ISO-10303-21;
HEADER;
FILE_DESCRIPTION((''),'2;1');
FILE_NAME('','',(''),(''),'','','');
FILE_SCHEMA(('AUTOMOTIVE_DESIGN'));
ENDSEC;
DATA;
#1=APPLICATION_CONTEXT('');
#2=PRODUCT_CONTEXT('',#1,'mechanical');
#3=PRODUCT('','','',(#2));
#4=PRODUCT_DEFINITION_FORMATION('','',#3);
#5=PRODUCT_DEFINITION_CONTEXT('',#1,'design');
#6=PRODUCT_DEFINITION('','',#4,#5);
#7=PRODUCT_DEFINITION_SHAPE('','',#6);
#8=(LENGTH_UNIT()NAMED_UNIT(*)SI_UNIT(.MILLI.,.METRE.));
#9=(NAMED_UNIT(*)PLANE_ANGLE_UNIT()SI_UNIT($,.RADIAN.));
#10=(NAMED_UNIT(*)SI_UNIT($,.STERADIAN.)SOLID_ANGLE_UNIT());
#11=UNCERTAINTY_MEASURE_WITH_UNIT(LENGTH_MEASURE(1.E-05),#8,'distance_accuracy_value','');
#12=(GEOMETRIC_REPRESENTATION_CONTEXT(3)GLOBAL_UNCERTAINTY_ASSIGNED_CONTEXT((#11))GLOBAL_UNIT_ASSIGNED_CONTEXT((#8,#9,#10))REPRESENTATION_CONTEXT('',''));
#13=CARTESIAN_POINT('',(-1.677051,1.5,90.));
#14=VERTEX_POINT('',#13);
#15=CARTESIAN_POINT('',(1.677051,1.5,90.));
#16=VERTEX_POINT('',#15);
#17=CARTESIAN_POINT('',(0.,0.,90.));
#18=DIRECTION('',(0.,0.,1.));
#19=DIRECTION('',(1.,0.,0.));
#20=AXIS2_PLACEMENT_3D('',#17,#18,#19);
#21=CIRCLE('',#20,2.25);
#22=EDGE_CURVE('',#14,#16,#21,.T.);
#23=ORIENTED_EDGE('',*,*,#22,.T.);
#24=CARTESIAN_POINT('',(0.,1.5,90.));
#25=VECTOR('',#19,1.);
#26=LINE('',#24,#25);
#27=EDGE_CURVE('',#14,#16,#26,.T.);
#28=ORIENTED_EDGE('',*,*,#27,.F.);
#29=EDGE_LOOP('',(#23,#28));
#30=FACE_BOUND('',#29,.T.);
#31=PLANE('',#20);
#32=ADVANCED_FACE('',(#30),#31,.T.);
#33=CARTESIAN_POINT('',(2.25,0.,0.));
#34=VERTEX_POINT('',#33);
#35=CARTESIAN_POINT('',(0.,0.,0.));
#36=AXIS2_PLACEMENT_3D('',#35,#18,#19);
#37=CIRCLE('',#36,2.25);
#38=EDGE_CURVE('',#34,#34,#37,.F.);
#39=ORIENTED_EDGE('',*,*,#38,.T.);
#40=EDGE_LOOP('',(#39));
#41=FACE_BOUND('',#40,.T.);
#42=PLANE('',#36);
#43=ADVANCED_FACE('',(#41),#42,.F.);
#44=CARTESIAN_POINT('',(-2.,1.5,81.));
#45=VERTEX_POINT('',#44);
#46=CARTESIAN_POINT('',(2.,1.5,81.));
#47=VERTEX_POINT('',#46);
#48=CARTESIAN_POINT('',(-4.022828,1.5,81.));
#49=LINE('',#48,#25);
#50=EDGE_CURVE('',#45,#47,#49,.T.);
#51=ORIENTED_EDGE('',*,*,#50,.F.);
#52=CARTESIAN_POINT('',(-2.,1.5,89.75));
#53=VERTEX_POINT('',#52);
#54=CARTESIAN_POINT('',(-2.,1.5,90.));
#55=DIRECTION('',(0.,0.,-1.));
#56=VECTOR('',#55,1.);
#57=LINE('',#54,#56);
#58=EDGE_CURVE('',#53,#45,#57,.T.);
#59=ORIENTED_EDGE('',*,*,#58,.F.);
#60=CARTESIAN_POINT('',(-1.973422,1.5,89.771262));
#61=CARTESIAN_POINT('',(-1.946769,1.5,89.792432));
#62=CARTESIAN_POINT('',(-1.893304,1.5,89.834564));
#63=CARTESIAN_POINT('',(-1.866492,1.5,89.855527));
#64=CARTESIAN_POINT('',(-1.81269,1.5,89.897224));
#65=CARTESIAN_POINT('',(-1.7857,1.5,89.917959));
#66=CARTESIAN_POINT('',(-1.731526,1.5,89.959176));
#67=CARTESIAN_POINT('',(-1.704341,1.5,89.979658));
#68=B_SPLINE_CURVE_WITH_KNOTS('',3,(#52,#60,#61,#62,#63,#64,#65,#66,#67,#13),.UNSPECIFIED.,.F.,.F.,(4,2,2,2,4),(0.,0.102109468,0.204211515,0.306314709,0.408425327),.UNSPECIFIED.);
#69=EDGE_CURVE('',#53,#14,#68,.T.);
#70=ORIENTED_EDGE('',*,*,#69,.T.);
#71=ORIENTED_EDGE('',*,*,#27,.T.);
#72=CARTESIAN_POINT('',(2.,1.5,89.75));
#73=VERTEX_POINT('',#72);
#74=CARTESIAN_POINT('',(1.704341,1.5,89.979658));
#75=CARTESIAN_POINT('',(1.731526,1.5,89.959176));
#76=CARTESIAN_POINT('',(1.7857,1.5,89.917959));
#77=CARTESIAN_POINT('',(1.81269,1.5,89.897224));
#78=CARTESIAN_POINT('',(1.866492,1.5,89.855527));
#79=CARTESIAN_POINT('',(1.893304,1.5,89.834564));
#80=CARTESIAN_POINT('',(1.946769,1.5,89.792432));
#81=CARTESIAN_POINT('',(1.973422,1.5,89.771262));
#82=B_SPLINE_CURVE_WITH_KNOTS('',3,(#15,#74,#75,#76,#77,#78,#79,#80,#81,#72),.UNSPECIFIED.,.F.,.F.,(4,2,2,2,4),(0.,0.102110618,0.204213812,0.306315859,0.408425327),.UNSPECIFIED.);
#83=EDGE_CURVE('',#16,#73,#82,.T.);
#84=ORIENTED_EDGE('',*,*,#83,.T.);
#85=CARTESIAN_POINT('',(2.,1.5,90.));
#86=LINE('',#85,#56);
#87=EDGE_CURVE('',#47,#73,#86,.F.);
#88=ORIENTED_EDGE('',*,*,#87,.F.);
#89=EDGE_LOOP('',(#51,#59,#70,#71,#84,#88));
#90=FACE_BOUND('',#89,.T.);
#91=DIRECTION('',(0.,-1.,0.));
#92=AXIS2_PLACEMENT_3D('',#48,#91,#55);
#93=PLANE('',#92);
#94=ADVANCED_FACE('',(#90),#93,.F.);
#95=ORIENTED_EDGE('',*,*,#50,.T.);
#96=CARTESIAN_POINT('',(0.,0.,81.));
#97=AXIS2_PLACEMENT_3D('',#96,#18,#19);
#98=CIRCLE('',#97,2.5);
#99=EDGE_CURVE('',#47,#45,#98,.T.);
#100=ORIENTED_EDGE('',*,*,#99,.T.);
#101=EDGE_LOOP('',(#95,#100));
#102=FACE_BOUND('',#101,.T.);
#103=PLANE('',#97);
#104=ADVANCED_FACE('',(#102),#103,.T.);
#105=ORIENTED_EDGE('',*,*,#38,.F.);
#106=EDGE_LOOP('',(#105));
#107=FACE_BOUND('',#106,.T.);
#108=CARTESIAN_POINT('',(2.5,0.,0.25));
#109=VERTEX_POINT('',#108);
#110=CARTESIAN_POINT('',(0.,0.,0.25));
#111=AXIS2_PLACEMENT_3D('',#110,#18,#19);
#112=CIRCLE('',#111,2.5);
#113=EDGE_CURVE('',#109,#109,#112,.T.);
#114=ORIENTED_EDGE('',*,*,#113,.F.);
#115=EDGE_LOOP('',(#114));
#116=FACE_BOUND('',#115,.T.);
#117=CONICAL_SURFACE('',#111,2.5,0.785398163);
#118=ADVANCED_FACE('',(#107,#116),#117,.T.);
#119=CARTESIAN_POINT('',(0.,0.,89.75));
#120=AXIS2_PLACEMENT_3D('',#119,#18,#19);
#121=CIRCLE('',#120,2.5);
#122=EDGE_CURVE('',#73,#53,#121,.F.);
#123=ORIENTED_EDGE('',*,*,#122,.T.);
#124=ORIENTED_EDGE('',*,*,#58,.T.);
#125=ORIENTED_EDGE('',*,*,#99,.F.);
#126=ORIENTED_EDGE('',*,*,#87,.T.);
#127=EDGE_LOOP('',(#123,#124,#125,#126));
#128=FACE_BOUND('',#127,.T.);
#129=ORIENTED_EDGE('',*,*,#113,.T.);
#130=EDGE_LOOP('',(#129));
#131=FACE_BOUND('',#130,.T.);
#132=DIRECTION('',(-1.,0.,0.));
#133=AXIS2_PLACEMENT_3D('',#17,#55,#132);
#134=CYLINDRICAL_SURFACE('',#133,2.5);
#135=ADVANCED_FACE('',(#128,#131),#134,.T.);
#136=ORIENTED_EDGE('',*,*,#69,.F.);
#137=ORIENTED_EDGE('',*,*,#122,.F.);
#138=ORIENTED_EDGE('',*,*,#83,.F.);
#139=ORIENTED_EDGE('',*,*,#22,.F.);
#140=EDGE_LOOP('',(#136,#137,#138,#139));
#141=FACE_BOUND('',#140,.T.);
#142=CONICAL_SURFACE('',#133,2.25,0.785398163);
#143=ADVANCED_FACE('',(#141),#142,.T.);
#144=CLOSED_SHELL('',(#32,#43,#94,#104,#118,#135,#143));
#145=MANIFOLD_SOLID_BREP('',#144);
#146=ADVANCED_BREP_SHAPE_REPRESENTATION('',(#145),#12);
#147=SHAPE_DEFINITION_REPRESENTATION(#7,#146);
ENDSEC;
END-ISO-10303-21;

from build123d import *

# Parameters (mm, degrees)
SKETCH1_R           = 2.5
BOSS_EXTRUDE1_DEPTH = 90
SKETCH2_W           = 7.942505736
SKETCH2_H           = 1
CUT_EXTRUDE1_DEPTH  = 9
CHAMFER1_SIZE       = 0.25


with BuildPart() as part:
    # Sketch1 → Boss-Extrude1 (new body)
    with BuildSketch(Plane.XY):
        with Locations(Location((0, 0, 0), (0, 0, 180))):
            Circle(SKETCH1_R)
    extrude(amount=BOSS_EXTRUDE1_DEPTH)

    # Sketch2 → Cut-Extrude1 (cut)
    with BuildSketch(Plane.XY.offset(90)):
        with Locations((-0.051574713, 2)):
            Rectangle(SKETCH2_W, SKETCH2_H)
    extrude(amount=-CUT_EXTRUDE1_DEPTH, mode=Mode.SUBTRACT)

    # Chamfer1
    chamfer1_edges = [part.edges().sort_by_distance(p)[0] for p in [
        (2.5, 0, 0),
        (0.790569415, -2.371708245, 90),
    ]]
    chamfer(chamfer1_edges, length=CHAMFER1_SIZE)


solid = part.part
